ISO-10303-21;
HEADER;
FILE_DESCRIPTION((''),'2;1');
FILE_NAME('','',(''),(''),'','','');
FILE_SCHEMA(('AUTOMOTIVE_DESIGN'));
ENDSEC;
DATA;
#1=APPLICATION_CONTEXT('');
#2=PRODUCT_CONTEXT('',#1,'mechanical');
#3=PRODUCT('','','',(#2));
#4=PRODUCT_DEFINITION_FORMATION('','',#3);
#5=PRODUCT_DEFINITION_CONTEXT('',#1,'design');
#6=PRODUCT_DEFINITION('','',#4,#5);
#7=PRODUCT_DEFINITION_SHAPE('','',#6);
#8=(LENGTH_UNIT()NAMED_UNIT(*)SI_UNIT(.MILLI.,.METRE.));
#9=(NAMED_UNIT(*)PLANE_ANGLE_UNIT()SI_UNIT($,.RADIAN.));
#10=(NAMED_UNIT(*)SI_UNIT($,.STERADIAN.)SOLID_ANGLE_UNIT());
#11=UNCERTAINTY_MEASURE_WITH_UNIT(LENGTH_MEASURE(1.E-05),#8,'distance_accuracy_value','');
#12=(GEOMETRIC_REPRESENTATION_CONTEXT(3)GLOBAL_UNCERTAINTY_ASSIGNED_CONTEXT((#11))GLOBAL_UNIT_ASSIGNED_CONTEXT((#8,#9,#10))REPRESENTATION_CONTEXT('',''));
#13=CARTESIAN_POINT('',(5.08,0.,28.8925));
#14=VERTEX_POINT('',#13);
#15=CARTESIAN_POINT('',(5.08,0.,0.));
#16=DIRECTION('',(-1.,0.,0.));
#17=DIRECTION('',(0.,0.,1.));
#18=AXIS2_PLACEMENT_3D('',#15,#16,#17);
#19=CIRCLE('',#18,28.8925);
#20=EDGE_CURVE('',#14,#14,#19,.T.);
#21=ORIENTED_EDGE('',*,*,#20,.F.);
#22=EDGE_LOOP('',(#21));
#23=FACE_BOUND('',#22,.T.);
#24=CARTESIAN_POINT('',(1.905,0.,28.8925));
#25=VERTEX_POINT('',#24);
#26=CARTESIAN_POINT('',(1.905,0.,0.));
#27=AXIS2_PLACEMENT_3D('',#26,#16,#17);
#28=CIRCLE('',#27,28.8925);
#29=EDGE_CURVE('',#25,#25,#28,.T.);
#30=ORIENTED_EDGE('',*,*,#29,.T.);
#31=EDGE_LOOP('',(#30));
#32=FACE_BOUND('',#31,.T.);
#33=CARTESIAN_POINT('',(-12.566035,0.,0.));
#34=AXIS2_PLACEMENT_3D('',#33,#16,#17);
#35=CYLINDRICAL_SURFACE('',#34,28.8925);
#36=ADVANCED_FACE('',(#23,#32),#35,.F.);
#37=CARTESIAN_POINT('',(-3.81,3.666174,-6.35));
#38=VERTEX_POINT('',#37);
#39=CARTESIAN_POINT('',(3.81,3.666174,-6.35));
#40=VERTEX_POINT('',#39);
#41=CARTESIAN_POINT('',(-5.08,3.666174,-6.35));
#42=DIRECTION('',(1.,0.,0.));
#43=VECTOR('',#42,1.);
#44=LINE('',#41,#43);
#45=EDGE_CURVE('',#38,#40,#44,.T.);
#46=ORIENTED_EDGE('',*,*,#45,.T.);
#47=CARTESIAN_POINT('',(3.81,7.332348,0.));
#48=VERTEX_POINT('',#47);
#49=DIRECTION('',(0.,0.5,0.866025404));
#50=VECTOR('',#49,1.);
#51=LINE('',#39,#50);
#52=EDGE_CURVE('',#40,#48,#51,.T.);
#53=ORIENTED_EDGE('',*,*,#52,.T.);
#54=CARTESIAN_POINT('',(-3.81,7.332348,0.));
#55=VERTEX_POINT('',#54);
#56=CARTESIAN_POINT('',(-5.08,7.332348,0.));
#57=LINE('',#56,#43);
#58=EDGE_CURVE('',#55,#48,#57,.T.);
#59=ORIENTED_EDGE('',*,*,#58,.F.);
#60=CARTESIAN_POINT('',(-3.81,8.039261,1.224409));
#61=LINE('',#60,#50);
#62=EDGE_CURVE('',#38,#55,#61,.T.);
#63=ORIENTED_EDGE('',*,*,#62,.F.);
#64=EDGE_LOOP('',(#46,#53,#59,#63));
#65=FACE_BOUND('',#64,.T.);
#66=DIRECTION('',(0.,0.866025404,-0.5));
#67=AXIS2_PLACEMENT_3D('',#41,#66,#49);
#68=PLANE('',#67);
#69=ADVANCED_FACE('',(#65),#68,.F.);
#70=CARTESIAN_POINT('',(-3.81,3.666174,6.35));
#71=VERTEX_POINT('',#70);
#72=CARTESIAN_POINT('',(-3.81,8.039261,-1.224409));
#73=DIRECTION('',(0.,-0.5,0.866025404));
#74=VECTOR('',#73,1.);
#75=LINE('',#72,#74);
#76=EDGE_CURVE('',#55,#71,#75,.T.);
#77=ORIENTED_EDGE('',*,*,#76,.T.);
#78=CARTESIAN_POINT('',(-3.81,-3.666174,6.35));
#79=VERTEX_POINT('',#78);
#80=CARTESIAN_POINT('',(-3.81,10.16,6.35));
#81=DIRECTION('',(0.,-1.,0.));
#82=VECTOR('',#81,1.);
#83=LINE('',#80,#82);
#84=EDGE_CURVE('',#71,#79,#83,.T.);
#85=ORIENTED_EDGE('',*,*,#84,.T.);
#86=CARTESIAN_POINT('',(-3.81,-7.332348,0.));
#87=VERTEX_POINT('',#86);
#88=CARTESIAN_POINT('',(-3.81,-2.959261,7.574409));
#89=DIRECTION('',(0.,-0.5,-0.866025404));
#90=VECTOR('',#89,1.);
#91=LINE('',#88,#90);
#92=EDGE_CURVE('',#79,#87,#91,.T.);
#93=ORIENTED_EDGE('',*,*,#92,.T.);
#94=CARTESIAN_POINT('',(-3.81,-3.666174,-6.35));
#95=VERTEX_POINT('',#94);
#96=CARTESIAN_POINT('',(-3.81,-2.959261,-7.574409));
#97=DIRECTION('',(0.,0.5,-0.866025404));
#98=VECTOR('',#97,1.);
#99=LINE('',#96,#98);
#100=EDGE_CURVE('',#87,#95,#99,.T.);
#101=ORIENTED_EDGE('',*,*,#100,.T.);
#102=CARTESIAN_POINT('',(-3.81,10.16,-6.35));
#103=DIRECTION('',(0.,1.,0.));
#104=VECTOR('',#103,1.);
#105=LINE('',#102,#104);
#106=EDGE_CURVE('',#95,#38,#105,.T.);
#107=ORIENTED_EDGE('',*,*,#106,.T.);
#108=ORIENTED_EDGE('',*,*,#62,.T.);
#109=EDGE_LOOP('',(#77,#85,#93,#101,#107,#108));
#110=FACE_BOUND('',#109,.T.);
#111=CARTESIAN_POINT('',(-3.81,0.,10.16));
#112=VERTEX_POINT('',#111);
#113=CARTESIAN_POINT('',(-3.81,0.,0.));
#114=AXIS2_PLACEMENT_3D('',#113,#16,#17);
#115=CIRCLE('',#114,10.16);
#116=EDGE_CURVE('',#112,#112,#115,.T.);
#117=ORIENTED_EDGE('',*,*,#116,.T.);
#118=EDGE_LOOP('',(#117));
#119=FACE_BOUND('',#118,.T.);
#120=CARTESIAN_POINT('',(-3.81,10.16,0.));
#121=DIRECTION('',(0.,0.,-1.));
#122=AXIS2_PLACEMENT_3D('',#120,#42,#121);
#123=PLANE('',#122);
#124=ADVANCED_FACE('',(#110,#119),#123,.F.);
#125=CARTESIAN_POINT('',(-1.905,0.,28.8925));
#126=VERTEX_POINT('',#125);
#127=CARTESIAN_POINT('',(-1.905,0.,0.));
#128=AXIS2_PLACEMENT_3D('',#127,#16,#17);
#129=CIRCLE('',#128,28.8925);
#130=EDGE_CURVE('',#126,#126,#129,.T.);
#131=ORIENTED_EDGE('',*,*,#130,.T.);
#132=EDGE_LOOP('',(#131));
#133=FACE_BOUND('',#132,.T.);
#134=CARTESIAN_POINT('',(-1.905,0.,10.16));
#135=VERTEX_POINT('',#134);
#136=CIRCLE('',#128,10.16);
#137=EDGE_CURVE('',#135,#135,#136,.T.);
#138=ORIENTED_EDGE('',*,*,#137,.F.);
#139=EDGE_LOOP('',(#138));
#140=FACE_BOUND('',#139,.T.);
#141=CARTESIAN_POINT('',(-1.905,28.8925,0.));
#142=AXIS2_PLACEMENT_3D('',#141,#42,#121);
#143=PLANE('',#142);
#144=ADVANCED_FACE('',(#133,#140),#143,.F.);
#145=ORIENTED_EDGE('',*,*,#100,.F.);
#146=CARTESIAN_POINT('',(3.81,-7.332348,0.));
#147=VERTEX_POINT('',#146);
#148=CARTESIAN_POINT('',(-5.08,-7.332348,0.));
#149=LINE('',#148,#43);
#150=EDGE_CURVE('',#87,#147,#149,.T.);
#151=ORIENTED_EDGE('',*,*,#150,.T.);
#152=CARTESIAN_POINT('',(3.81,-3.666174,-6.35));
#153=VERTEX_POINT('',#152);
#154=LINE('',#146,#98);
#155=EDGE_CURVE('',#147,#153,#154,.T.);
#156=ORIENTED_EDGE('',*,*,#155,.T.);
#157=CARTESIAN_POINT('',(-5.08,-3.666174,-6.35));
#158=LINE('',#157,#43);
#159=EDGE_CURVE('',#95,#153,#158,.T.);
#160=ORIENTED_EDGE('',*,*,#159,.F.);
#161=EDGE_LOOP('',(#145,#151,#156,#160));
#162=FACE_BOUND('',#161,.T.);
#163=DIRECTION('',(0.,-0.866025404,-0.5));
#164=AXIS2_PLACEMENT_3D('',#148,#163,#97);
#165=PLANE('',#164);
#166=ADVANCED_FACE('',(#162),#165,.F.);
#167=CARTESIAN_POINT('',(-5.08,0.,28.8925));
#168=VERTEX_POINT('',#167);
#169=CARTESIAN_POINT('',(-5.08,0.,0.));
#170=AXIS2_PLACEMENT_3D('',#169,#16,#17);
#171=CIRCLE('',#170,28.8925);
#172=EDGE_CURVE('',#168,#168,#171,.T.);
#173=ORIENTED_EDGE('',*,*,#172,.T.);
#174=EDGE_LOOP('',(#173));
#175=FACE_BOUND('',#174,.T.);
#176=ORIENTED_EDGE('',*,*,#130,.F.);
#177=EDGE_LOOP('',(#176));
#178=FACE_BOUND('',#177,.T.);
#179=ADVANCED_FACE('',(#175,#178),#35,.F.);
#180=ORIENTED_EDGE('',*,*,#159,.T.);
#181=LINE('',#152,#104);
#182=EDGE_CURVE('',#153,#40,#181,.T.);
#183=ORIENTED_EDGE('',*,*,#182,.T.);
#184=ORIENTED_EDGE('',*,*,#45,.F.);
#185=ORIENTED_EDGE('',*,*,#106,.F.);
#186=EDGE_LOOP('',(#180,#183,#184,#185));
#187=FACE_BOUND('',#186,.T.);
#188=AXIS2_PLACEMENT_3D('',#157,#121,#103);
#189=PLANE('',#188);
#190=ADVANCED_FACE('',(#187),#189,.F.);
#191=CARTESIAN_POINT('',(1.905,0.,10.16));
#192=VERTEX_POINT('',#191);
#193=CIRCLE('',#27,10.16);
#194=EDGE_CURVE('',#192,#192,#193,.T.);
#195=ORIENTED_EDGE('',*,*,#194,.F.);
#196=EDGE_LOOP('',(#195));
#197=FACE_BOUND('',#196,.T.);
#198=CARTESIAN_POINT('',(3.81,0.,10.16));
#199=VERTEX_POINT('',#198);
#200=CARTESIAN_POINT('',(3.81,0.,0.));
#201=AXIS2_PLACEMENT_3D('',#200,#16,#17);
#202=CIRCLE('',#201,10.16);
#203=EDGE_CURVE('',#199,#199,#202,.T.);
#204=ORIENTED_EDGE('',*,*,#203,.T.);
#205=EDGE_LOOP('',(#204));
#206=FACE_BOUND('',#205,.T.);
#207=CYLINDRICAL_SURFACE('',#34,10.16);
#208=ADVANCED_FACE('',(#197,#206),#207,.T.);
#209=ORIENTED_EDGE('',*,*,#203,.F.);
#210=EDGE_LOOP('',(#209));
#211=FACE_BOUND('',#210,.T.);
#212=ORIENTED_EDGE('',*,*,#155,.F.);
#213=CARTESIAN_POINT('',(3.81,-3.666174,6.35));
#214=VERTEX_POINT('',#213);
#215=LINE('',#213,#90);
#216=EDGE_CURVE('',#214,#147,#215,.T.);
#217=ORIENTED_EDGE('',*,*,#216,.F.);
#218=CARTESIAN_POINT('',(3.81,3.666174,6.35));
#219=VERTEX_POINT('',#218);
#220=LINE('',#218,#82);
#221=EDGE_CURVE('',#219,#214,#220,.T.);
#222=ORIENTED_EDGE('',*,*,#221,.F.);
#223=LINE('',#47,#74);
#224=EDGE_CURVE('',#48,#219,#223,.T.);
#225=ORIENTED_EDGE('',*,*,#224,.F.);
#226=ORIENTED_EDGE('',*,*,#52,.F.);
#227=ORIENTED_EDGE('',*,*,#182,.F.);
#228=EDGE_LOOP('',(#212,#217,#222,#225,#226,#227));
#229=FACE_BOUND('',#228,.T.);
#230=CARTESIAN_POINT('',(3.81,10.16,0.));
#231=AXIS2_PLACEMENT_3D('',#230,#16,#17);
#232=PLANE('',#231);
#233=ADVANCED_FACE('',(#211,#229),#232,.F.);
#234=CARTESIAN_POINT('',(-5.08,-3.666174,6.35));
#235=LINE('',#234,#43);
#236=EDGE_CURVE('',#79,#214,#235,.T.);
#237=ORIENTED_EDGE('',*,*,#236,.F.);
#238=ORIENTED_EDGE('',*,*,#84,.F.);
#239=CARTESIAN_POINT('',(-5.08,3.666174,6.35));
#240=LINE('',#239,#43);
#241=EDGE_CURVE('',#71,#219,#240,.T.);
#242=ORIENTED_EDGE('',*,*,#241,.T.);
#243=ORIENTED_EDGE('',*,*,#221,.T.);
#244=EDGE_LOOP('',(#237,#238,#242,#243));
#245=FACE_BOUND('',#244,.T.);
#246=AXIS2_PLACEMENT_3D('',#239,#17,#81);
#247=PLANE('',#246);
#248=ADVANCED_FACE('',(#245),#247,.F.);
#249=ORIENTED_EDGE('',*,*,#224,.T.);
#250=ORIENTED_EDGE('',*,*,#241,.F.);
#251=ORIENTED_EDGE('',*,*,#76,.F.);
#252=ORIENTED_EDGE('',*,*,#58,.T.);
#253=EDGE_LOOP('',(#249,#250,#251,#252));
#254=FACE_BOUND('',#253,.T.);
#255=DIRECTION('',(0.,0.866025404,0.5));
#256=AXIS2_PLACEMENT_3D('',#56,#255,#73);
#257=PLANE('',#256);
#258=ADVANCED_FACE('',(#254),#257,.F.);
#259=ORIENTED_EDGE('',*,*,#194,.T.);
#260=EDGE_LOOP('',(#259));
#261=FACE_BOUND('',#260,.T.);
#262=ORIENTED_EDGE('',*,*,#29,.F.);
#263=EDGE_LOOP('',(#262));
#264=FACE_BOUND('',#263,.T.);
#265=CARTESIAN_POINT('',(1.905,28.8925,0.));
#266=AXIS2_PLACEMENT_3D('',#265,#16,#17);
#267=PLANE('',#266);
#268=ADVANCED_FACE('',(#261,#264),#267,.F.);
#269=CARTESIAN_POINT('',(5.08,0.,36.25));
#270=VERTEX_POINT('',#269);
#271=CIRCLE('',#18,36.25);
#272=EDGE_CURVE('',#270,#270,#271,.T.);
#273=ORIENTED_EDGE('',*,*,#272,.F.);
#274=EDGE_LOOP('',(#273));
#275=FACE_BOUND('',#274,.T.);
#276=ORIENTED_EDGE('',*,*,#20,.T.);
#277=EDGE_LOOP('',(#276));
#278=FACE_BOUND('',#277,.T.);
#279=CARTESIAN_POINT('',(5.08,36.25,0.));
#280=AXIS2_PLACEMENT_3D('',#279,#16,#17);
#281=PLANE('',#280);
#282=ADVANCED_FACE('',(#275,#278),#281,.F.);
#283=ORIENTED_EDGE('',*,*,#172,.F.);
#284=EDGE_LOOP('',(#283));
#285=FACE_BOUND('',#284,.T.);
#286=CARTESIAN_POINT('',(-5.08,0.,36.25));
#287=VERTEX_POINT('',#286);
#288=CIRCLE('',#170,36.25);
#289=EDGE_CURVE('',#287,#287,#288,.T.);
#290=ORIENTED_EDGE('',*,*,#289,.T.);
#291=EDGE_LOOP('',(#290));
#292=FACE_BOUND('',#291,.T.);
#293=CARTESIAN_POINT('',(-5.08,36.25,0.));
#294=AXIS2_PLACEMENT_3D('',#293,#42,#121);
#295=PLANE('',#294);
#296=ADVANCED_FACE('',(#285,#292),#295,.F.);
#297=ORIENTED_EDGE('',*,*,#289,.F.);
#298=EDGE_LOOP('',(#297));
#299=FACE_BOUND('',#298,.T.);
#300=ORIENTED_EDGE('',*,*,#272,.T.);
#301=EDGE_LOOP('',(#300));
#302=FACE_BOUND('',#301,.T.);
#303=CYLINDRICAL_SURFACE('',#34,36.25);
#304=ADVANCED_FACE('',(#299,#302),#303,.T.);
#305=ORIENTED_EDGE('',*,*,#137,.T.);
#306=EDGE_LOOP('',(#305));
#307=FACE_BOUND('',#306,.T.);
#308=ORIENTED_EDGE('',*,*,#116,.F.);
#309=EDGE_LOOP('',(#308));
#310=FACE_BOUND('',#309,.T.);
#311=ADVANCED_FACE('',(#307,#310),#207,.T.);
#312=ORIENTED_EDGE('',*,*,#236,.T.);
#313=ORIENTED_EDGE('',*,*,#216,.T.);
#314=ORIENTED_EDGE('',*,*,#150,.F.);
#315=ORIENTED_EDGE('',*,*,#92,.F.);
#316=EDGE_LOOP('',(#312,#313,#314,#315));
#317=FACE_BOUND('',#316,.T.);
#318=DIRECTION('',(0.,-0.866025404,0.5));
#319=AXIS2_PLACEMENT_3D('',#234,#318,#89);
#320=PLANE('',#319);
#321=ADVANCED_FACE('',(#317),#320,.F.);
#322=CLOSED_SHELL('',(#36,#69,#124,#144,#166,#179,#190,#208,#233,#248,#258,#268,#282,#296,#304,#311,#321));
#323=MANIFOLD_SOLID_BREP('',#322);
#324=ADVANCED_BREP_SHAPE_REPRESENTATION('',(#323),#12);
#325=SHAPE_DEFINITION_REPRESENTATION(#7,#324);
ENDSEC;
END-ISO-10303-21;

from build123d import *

# Parameters (mm, degrees)
ENL_V_MAT_EXTRU_1_DEPTH = 9.89


with BuildPart() as part:
    # Esquisse1 → Révolution1 (revolve)
    with BuildSketch(Plane.XY):
        Polygon((-5.08, 36.25), (5.08, 36.25), (5.08, 28.8925), (1.905, 28.8925), (1.905, 10.16), (3.81, 10.16), (3.81, 0), (-3.81, 0), (-3.81, 10.16), (-1.905, 10.16), (-1.905, 28.8925), (-5.08, 28.8925), align=None)
    revolve(axis=Axis((-12.56603466, 0, 0), (1, 0, 0)))

    # Esquisse2 → Enlèv. mat.-Extru.1 (cut, through all)
    with BuildSketch(Plane(origin=(3.81, 0, 0), x_dir=(0, 0, -1), z_dir=(1, 0, 0))):
        Polygon((0, 7.332348419), (-6.35, 3.666174209), (-6.35, -3.666174209), (0, -7.332348419), (6.35, -3.666174209), (6.35, 3.666174209), align=None)
    extrude(amount=-ENL_V_MAT_EXTRU_1_DEPTH, mode=Mode.SUBTRACT)


solid = part.part
